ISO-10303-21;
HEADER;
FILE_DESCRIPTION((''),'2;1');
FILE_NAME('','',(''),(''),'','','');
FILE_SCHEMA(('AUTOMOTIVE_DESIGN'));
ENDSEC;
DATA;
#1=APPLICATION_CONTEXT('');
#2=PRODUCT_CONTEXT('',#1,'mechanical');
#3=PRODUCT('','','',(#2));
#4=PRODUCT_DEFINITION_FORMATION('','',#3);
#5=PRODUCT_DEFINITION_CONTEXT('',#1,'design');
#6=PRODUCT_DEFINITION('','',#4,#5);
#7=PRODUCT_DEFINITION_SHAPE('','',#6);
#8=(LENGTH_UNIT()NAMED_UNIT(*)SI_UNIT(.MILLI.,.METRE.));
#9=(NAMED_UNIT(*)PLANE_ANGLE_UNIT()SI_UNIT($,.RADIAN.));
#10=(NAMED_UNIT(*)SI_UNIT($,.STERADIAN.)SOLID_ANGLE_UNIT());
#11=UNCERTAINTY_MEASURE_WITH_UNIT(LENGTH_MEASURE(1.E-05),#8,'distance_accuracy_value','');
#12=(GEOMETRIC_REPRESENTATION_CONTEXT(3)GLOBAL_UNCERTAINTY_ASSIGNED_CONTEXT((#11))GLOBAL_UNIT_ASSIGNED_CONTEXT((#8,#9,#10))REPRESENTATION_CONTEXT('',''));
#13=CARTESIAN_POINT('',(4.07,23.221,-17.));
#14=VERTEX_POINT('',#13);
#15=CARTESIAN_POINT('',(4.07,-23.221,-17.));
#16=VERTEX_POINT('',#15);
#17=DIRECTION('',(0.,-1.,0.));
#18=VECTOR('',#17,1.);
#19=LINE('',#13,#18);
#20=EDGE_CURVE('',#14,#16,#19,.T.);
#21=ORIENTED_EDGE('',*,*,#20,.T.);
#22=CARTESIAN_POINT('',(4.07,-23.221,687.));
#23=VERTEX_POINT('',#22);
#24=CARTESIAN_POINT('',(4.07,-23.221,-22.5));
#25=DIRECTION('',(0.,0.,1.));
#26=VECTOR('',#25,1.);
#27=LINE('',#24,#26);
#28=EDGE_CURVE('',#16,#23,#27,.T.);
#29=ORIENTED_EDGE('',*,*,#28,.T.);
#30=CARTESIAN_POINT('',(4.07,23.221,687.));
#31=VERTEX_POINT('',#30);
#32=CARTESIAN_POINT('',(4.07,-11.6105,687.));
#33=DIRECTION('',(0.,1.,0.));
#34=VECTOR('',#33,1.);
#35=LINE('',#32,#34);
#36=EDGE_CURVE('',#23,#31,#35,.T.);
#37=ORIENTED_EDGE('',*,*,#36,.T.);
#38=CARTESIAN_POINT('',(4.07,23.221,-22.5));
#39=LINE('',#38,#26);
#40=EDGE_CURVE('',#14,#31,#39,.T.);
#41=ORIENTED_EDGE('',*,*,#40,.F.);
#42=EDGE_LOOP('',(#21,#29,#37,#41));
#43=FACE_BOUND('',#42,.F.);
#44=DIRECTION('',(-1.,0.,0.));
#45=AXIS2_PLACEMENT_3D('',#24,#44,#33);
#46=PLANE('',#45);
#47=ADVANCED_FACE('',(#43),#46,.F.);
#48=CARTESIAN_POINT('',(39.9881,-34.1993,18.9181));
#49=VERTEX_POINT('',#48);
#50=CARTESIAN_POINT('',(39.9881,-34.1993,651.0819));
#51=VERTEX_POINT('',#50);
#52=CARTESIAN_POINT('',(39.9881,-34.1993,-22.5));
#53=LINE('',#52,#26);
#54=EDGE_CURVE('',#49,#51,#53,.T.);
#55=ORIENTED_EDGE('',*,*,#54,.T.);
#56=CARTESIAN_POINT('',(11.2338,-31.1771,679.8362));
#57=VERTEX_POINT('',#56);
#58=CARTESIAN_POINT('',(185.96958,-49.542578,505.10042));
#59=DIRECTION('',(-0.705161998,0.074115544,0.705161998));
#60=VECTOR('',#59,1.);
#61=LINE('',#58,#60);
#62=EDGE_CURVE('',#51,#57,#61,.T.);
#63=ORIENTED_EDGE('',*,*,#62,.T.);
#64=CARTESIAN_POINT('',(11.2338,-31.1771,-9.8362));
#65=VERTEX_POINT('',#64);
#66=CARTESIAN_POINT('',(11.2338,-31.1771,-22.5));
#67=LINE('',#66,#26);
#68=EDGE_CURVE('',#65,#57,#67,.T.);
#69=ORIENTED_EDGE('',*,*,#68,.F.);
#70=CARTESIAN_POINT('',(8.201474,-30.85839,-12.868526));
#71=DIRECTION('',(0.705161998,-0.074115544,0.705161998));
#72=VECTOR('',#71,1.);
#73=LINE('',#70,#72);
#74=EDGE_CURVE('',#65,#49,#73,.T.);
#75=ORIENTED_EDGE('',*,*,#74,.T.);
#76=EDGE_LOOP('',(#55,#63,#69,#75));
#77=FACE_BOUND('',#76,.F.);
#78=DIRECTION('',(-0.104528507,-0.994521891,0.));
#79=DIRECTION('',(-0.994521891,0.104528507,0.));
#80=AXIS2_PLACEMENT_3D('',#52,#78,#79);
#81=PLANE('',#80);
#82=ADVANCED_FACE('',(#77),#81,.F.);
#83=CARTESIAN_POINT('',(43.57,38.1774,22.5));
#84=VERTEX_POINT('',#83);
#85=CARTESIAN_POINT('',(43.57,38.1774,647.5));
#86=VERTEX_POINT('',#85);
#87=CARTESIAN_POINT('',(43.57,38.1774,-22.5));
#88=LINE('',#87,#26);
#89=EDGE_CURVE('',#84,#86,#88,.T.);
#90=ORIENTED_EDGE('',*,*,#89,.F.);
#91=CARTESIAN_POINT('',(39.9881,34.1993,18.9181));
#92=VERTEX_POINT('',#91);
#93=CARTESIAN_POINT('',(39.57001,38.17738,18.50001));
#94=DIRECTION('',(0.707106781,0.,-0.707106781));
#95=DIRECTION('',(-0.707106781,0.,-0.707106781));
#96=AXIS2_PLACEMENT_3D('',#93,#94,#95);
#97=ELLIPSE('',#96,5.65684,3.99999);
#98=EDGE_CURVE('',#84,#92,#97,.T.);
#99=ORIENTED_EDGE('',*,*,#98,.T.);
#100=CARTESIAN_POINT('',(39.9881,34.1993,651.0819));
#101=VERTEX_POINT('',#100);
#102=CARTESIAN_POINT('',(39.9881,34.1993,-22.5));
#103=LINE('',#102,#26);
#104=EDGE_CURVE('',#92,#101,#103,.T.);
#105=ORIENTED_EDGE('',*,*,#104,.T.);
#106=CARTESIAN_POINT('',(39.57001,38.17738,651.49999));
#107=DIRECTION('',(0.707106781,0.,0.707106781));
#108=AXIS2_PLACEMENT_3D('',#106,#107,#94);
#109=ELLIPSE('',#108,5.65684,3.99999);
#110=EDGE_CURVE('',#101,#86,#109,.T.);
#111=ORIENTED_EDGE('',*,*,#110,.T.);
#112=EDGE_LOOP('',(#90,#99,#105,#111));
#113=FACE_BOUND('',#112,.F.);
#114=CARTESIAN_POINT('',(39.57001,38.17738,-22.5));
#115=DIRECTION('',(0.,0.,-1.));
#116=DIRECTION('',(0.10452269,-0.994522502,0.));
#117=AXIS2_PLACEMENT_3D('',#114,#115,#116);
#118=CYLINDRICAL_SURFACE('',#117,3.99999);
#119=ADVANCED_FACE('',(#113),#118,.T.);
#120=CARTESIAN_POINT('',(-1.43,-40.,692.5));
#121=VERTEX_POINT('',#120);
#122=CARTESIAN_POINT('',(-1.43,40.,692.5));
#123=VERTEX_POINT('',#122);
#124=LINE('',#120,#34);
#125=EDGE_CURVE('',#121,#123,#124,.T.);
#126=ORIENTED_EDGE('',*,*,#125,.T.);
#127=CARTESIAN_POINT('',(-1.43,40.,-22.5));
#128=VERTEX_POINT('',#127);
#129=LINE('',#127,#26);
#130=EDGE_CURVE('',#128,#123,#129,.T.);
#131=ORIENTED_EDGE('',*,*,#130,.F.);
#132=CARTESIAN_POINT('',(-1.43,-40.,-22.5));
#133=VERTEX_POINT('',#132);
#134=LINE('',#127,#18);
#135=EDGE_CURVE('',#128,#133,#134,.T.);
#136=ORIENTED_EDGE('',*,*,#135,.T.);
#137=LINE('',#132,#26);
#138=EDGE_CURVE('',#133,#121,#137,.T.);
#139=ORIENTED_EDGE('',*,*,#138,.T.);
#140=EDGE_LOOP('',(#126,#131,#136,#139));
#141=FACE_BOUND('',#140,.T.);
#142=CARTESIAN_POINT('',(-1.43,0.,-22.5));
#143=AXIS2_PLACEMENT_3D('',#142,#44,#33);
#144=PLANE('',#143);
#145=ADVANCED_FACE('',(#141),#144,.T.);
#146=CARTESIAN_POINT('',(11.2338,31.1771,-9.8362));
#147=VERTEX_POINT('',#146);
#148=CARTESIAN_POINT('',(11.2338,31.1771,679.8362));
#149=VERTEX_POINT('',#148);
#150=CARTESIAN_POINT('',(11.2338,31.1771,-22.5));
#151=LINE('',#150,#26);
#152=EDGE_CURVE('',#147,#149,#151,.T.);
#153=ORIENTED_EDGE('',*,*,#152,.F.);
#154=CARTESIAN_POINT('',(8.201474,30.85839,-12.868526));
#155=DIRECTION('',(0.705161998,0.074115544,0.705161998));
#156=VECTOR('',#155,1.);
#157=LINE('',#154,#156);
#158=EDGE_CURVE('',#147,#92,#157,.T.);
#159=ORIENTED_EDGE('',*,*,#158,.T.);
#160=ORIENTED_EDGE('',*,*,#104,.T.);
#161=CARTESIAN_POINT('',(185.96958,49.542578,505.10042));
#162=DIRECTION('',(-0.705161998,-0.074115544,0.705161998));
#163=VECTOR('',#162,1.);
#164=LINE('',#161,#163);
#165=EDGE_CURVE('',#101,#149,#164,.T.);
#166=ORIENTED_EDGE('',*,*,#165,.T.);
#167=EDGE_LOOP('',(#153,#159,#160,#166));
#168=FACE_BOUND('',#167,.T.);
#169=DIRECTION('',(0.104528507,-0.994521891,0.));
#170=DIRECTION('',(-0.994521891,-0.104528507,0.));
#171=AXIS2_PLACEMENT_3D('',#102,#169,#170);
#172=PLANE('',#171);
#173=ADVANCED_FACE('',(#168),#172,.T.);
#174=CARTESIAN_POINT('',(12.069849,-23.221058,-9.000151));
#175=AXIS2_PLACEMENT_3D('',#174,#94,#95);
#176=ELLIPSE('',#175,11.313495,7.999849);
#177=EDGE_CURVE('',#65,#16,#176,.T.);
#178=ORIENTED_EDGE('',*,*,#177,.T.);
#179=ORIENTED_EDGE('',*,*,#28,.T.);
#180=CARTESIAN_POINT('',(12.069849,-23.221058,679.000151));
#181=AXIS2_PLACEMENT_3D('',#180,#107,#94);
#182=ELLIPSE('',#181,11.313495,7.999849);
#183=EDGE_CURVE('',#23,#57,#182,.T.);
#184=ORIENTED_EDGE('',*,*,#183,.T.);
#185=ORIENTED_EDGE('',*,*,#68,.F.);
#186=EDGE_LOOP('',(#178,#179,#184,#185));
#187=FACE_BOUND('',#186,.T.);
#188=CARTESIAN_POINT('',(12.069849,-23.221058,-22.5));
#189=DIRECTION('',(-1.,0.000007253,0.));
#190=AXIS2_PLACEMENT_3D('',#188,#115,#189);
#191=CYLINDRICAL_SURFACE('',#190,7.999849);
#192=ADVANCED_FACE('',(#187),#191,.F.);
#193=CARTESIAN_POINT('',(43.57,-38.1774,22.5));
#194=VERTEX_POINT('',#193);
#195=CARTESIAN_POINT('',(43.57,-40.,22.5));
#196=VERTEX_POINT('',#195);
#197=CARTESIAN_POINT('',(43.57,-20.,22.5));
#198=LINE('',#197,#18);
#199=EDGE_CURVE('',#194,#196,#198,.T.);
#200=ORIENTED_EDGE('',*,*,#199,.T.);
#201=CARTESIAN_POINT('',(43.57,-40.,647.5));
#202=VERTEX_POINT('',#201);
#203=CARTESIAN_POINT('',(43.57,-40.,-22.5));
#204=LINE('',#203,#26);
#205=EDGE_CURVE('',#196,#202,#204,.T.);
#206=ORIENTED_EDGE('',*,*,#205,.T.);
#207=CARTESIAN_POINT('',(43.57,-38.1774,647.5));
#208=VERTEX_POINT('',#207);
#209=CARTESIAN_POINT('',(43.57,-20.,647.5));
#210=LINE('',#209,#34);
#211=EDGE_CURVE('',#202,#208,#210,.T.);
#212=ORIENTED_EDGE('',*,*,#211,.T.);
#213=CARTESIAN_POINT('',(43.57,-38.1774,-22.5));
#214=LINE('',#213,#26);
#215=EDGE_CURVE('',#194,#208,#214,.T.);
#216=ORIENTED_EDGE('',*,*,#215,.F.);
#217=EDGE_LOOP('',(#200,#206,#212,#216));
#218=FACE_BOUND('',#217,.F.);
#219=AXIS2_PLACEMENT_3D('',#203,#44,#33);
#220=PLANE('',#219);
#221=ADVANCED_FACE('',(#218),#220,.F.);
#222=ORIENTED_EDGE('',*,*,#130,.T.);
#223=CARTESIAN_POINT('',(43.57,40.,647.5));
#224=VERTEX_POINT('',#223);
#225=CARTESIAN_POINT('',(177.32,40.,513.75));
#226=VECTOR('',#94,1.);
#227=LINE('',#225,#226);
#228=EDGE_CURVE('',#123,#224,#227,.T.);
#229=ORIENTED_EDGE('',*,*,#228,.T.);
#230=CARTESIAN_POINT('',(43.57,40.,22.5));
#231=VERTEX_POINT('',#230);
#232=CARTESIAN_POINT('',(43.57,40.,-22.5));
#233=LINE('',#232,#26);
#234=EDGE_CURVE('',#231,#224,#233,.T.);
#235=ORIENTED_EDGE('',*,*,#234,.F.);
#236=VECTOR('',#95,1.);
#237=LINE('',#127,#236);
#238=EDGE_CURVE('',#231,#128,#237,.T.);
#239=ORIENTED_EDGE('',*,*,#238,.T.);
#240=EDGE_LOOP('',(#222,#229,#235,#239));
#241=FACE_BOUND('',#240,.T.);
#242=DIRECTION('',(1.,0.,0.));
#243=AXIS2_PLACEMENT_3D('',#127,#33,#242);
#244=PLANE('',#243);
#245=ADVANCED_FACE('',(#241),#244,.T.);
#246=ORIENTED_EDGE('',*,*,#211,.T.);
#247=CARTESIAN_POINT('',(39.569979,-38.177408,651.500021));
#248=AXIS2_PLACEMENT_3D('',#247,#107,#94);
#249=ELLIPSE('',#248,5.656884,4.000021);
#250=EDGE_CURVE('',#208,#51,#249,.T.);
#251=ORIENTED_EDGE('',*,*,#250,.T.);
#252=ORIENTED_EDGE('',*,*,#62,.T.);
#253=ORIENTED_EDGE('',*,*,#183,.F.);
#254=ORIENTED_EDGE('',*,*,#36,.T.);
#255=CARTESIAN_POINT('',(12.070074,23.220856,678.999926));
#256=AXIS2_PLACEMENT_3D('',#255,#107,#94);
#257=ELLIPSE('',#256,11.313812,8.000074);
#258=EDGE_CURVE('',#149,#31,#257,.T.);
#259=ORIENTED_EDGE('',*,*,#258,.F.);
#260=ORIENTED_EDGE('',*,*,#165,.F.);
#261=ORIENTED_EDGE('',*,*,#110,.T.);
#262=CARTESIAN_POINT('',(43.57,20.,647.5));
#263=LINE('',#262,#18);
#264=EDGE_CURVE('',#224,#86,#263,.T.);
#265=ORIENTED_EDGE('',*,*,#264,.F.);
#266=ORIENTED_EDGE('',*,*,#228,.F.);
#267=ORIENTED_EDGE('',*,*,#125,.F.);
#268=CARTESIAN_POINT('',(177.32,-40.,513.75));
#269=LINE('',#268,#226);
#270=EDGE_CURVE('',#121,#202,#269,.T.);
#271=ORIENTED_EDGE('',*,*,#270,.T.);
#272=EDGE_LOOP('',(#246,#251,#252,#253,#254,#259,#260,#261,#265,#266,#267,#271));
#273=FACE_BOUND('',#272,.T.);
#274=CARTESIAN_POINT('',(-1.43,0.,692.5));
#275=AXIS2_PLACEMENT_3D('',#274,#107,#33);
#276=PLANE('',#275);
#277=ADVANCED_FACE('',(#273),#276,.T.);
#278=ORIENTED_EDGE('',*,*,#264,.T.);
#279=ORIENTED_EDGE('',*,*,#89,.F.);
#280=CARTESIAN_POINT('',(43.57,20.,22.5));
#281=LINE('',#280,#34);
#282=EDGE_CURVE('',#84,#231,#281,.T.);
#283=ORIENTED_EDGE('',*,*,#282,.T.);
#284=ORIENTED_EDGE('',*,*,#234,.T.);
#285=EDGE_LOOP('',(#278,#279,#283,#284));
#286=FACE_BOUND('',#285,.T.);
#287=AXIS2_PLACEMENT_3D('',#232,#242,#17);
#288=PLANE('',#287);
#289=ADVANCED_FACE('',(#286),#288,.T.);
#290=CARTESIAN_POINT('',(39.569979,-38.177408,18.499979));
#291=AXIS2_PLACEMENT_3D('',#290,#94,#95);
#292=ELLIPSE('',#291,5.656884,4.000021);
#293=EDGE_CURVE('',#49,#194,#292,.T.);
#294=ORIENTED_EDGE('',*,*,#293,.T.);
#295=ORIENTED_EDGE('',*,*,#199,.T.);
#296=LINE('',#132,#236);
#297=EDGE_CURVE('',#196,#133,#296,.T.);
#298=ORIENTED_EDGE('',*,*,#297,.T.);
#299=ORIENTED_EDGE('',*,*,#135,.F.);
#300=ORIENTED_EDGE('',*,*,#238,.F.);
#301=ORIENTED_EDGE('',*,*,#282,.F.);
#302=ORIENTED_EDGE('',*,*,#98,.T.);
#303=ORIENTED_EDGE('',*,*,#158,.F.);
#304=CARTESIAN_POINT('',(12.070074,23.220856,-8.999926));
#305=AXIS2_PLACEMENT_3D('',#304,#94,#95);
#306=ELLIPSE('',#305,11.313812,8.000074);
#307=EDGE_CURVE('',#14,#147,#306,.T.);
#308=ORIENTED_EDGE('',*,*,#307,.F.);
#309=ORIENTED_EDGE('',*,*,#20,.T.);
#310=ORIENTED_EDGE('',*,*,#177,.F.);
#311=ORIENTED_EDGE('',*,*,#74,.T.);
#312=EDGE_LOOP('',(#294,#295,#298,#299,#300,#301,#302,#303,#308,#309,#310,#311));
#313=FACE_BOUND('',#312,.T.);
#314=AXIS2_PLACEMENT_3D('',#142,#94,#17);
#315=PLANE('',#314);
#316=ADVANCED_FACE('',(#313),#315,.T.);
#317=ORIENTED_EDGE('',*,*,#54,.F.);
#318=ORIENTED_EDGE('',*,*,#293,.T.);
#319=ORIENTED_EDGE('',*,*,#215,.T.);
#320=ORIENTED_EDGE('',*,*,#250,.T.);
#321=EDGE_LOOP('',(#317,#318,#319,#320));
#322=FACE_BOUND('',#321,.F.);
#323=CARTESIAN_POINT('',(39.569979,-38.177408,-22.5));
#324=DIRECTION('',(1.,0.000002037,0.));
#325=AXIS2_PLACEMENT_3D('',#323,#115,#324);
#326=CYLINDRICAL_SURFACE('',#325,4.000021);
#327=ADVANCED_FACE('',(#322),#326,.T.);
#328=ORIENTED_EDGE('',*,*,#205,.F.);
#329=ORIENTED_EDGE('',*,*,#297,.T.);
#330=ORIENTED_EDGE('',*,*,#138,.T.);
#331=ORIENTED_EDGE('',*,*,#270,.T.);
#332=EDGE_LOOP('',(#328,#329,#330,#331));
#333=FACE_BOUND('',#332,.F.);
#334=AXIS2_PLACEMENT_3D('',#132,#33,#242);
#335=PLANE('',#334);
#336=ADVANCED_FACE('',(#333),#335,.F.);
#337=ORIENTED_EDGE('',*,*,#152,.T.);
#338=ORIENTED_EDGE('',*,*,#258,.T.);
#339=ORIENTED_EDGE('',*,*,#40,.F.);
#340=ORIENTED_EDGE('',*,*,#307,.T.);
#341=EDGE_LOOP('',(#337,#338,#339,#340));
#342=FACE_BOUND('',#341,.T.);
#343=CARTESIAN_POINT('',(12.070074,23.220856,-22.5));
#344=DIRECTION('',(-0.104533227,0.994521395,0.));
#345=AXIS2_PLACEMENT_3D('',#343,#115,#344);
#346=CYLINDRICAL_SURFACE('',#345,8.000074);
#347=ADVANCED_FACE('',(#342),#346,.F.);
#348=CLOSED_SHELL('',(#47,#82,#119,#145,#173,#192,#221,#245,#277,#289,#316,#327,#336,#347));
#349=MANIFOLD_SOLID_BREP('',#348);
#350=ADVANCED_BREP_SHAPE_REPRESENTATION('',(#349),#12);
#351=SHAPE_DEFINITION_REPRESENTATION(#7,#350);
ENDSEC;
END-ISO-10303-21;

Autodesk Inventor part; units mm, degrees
ref_plane "Начальная плоскость" through (0, 0, -22.5) normal (0, 0, 1) x (1, 0, 0)
ref_plane "Конечная плоскость" through (0, 0, 692.5) normal (0, 0, 1) x (1, 0, 0)
sketch "Эскиз" plane through (0, 0, 0) normal (0, 0, 1) x (1, 0, 0)
  line L0 (-1.43, 0) -> (-1.43, 40)
  line L1 (-1.43, 40) -> (43.57, 40)
  line L2 (43.57, 40) -> (43.57, 38.1774)
  line L3 (39.9881, 34.1993) -> (11.2338, 31.1771)
  line L4 (4.07, 23.221) -> (4.07, 0)
  line L5 (4.07, 0) -> (-1.43, 0) construction
  line L6 (23.82, 40) -> (23.82, 32.5) construction
  line L7 (43.57, 34.5758) -> (43.57, 32.5) construction
  line L8 (43.57, 32.5) -> (23.82, 32.5) construction
  line L9 (0, 15) -> (0, -27) construction
  line L10 (-5.539, 0) -> (16.0067, 0) construction
  line L11 (-1.43, 0) -> (-1.43, -40)
  line L12 (-1.43, -40) -> (43.57, -40)
  line L13 (43.57, -40) -> (43.57, -38.1774)
  line L14 (39.9881, -34.1993) -> (11.2338, -31.1771)
  line L15 (4.07, -23.221) -> (4.07, 0)
  arc A0 (11.2338, 31.1771) -> (4.07, 23.221) centre (12.07, 23.221) ccw
  arc A1 (4.07, -23.221) -> (11.2338, -31.1771) centre (12.07, -23.221) ccw
  arc A2 (39.9881, 34.1993) -> (43.57, 38.1774) centre (39.57, 38.1774) ccw
  arc A3 (43.57, -38.1774) -> (39.9881, -34.1993) centre (39.57, -38.1774) ccw
  line L16 (0, 56) -> (0, -56) construction
  line L17 (-15.5135, 0) -> (54.308, 0) construction
  point P0 (4.07, 30.4242)
  point P1 (43.57, -34.5758)
  point P2 (4.07, -30.4242)
  point P3 (23.82, -40)
  point P4 (23.82, -32.5)
  dimension "d0" = 5.5
  dimension "d1" = 40
  dimension "d2" = 45
  dimension "d3" = 7.5
  dimension "d4" = 19.75
  dimension "d5" = 2.0758
  dimension "d23" = 8
  dimension "d24" = 4
  dimension "d25" = 1.43
extrude "Тело" add sketch "Эскиз" along normal up to surface (715 mm away) from surface at -22.5
sketch "Sketch3" plane through (0, 0, 0) normal (0, 0, 1) x (1, 0, 0)
  line L0 (0, 0) -> (10, 0)
ref_plane "Work Plane3" through (0, 0, 0) normal (0, -1, 0) x (1, 0, 0)
sketch "Sketch4" plane through (0, 0, 0) normal (0, -1, 0) x (1, 0, 0)
  line L0 (-2, -22.5) -> (12, -22.5)
  line L1 (-2, 692.5) -> (12, 692.5)
  dimension "d29" = 715
ref_plane "РабПлоскость4" through (-1.43, 0, -22.5) normal (0.7071, 0, -0.7071) x (-0.7071, 0, -0.7071)
split "Разделение1" plane through (-1.43, 0, -22.5) removes the side toward (0.7071, 0, -0.7071)
ref_plane "РабПлоскость5" through (-1.43, 0, 692.5) normal (0.7071, 0, 0.7071) x (0.7071, 0, -0.7071)
split "Разделение2" plane through (-1.43, 0, 692.5) removes the side toward (0.7071, 0, 0.7071)
equation "\"d0\" = G_T"
equation "\"d1\" = 0.5 * G_H"
equation "\"d2\" = G_W"
equation "\"d3\" = G_T1"
equation "\"d4\" = G_C"
equation "\"d23\" = G_IR"
equation "\"d24\" = G_ER"
equation "\"d25\" = ex"
equation "\"d6\" = G_L"
equation "\"G_W\" = 45"
equation "\"G_T\" = 5.5"
equation "\"G_T1\" = 7.5"
equation "\"G_NG\" = 0.105104"
equation "\"G_ER\" = 4"
equation "\"G_IR\" = 8"
equation "\"G_C\" = 19.75"
equation "\"G_L\" = d29"
equation "\"ex\" = 1.43"
equation "\"G_OFFSET_START\" = 22.5"
equation "\"G_OFFSET_END\" = 22.5"
equation "\"d26\" = -G_OFFSET_START"
equation "\"d27\" = G_OFFSET_END + B_L"
equation "\"G_H\" = 80"
equation "\"B_L\" = 670"
properties part number "ISO 657/11 - CH 80 x 8 - 715" material "Сталь, мягкая"
